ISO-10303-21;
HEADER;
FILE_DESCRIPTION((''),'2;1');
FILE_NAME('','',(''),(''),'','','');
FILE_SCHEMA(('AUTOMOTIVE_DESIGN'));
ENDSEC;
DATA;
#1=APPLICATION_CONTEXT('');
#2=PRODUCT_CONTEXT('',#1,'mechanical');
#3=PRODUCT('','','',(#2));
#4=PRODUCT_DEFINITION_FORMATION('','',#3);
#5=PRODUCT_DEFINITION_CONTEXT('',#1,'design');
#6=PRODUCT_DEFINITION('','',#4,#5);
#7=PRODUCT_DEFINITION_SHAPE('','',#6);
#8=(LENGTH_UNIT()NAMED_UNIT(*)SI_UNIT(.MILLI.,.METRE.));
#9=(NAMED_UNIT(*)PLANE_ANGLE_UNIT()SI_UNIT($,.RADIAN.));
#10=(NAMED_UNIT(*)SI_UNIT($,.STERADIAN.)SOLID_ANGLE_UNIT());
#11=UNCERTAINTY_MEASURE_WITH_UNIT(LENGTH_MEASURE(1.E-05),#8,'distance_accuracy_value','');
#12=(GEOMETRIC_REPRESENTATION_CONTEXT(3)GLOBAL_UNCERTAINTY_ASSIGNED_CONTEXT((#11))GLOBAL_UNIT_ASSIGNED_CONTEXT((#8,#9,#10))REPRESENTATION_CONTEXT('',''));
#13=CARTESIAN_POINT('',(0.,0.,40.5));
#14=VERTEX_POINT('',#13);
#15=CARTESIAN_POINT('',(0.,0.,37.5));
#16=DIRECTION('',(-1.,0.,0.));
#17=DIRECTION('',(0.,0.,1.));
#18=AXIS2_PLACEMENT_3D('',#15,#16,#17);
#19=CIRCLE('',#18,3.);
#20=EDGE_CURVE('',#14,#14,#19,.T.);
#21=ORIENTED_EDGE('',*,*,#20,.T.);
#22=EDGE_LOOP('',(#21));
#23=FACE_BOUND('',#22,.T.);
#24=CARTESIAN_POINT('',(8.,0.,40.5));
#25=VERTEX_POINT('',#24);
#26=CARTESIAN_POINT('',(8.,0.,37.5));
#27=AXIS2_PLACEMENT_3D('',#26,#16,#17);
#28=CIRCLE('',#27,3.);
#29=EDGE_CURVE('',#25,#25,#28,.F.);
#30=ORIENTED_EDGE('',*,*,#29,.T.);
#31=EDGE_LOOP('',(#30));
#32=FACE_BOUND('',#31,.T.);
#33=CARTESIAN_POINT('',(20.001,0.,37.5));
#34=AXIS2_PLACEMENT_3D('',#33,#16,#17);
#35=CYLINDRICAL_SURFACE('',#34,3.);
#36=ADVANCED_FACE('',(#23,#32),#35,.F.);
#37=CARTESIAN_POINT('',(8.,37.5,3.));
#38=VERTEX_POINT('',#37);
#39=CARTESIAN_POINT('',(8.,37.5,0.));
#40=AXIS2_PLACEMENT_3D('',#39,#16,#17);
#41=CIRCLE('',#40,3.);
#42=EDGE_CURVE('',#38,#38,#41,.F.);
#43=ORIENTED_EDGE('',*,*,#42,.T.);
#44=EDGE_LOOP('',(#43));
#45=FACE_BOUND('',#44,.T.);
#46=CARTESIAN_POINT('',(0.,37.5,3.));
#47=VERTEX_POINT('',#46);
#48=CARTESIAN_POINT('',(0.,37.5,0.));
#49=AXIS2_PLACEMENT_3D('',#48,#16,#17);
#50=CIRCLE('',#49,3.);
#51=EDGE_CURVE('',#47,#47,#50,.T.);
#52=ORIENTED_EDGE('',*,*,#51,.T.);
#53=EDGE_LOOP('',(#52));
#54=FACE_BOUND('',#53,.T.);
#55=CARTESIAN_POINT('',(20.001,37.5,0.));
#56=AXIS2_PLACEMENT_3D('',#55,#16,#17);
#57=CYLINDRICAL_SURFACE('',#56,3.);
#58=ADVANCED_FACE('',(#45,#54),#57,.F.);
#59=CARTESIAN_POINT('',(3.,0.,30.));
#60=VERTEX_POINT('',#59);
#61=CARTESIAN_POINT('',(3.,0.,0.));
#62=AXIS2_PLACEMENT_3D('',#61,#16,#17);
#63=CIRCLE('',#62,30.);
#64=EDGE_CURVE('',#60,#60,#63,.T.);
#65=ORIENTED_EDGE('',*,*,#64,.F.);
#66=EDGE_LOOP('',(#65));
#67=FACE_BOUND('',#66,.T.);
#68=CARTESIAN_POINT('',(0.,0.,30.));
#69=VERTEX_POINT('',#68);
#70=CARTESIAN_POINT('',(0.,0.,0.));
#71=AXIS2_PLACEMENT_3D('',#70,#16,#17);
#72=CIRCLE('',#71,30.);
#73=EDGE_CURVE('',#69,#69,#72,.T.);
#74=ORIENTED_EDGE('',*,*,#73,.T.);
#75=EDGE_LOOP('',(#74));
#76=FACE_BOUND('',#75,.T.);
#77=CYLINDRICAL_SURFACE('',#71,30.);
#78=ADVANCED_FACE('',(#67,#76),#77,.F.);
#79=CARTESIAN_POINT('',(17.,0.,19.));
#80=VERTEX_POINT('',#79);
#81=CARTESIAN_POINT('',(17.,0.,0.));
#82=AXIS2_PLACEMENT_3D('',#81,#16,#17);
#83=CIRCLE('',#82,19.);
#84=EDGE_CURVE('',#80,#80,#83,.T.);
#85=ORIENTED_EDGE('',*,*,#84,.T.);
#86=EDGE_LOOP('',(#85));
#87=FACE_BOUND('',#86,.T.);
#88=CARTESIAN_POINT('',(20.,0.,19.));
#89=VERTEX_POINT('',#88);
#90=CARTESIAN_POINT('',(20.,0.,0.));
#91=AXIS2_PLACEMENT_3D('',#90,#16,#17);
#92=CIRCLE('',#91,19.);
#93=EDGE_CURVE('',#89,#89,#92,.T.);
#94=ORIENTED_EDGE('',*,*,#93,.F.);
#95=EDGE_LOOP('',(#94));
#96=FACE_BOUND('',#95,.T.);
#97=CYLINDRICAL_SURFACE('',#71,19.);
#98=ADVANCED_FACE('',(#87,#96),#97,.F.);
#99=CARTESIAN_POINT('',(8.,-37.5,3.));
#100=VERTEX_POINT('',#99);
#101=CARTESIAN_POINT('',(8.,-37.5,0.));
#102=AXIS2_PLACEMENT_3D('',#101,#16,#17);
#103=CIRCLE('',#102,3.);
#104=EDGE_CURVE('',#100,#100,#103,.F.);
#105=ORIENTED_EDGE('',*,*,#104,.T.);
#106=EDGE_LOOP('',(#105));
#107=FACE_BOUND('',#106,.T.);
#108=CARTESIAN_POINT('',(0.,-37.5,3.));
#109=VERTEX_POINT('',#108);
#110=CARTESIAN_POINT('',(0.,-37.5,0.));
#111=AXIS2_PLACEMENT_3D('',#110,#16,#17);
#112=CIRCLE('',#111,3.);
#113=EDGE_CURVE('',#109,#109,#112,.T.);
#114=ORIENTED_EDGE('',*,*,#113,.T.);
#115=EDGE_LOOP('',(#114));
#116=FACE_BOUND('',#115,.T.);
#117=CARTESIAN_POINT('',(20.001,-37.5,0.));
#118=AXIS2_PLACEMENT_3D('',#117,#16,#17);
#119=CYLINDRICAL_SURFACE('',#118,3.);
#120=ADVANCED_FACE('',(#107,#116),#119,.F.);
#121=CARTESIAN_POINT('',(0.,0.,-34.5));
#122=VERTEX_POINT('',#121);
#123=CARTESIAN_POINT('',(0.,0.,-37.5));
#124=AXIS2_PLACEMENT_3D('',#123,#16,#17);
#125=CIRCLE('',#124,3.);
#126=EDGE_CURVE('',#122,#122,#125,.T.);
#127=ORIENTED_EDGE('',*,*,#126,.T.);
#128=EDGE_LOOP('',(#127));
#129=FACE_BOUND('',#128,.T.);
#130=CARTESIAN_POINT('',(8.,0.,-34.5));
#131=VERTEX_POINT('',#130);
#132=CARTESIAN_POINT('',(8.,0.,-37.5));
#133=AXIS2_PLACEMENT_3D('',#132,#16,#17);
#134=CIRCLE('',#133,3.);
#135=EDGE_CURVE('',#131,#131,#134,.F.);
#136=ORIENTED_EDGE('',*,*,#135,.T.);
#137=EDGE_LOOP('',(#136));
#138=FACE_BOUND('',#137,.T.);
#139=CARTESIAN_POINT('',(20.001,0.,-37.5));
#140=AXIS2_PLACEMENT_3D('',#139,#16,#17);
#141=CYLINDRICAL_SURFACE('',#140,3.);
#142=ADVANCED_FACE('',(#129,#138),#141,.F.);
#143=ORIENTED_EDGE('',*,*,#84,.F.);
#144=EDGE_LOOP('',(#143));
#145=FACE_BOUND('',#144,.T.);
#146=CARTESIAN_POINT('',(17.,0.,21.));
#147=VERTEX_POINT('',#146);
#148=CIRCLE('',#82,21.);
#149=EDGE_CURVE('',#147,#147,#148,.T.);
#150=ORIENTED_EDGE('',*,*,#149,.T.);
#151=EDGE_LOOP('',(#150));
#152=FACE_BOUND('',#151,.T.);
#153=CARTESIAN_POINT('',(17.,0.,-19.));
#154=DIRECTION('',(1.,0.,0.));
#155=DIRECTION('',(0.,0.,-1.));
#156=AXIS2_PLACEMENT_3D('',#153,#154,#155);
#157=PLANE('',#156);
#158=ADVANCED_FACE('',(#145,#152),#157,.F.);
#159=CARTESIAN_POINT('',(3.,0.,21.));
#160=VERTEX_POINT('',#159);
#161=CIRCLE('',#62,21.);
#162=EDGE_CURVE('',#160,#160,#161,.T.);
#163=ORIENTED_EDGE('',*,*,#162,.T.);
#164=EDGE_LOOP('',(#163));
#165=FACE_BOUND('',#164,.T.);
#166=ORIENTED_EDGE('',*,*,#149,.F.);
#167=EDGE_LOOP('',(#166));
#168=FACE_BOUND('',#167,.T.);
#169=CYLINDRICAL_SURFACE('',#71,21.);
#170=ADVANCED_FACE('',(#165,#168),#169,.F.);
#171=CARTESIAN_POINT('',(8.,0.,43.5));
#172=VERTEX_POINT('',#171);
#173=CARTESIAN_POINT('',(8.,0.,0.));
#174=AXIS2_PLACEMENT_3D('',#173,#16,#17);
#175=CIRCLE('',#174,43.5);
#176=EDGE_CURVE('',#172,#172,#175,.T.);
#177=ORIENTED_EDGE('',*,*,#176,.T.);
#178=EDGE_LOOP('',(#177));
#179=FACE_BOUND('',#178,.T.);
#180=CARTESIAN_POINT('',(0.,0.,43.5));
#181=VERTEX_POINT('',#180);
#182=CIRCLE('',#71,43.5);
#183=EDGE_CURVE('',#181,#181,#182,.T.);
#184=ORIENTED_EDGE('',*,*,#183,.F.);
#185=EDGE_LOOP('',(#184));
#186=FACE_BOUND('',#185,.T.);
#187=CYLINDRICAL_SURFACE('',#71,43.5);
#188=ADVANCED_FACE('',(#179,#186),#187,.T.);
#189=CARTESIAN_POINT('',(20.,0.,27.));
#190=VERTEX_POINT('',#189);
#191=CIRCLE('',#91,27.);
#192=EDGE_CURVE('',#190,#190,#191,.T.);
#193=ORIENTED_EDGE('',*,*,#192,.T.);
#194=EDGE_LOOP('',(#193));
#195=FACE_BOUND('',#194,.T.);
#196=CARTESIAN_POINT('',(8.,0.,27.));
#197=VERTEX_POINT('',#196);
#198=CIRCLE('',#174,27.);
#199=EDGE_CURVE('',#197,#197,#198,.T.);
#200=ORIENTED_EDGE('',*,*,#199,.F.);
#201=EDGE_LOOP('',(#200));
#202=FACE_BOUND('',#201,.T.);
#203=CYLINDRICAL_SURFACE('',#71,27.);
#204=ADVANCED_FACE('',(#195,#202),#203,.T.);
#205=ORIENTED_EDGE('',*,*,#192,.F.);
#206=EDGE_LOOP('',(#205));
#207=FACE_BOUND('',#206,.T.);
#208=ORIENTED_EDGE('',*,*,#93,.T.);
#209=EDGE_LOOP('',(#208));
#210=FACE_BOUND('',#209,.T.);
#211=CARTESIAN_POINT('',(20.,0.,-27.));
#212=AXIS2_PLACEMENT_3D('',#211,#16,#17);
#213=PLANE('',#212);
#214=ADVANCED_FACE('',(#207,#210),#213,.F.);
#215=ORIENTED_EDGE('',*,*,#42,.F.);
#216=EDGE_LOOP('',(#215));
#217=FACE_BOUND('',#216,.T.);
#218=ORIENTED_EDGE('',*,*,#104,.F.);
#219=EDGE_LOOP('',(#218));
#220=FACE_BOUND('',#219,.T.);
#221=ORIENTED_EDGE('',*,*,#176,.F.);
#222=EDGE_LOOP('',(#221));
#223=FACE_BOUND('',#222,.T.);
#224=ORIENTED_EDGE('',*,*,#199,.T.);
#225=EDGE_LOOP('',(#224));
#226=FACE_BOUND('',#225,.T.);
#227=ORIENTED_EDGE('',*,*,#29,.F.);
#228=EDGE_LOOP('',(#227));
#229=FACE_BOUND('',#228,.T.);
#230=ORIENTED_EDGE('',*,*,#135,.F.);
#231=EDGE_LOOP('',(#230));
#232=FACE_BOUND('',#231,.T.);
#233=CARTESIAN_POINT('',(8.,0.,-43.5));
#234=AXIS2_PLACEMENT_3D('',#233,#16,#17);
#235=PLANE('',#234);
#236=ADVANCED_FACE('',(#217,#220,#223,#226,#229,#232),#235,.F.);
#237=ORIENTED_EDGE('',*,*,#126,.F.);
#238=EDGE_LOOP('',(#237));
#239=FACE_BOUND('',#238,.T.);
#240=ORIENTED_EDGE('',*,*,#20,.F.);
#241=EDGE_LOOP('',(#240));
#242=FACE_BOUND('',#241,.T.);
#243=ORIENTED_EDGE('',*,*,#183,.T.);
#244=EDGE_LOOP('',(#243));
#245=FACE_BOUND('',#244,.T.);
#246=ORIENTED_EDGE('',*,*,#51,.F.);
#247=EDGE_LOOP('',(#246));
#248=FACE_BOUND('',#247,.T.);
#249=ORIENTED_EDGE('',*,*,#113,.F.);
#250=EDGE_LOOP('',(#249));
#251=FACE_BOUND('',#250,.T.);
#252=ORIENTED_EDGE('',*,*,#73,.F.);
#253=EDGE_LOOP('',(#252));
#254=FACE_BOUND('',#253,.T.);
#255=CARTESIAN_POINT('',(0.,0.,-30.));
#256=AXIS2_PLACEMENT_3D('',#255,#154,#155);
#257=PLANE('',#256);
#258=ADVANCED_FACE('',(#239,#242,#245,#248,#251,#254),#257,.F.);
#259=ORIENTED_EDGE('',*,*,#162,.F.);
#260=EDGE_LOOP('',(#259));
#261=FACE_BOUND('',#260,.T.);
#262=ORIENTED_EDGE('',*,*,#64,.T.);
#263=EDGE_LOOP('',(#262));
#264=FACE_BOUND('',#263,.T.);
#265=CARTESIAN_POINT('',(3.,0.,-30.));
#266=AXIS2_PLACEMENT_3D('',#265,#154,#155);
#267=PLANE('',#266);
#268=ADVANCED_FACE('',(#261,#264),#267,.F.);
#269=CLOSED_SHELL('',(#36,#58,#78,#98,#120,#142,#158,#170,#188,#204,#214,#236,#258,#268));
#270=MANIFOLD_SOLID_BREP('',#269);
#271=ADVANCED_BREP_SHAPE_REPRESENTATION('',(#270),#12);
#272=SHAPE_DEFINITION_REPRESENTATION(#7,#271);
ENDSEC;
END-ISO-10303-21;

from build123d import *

# Parameters (mm, degrees)
CUT_EXTRUDE_1_REACH = 22
SKETCH_2_R          = 3


with BuildPart() as part:
    # 草图1 → 旋转1 (revolve)
    with BuildSketch(Plane(origin=(0, 0, 0), x_dir=(1, 0, 0), z_dir=(0, 1, 0))):
        Polygon((0, 30), (0, 43.5), (8, 43.5), (8, 27), (20, 27), (20, 19), (17, 19), (17, 21), (3, 21), (3, 30), align=None)
    revolve(axis=Axis((0, 0, 0), (1, 0, 0)))

    # 草图2 → 切除-拉伸1 (cut, up to next)
    with BuildSketch(Plane.ZY, mode=Mode.PRIVATE) as cut_extrude_1_sk1:
        with Locations((0, -37.5)):
            Circle(SKETCH_2_R)
    cut_extrude_1_tool1 = extrude(cut_extrude_1_sk1.sketch, amount=-CUT_EXTRUDE_1_REACH, mode=Mode.PRIVATE) & part.part
    add(cut_extrude_1_tool1.solids().sort_by_distance((0, -37.5, 0))[0], mode=Mode.SUBTRACT)
    # 草图2 → 切除-拉伸1 (cut, up to next)
    with BuildSketch(Plane.ZY, mode=Mode.PRIVATE) as cut_extrude_1_sk2:
        with Locations((0, 37.5)):
            Circle(SKETCH_2_R)
    cut_extrude_1_tool2 = extrude(cut_extrude_1_sk2.sketch, amount=-CUT_EXTRUDE_1_REACH, mode=Mode.PRIVATE) & part.part
    add(cut_extrude_1_tool2.solids().sort_by_distance((0, 37.5, 0))[0], mode=Mode.SUBTRACT)
    # 草图2 → 切除-拉伸1 (cut, up to next)
    with BuildSketch(Plane.ZY, mode=Mode.PRIVATE) as cut_extrude_1_sk3:
        with Locations((-37.5, 0)):
            Circle(SKETCH_2_R)
    cut_extrude_1_tool3 = extrude(cut_extrude_1_sk3.sketch, amount=-CUT_EXTRUDE_1_REACH, mode=Mode.PRIVATE) & part.part
    add(cut_extrude_1_tool3.solids().sort_by_distance((0, 0, -37.5))[0], mode=Mode.SUBTRACT)
    # 草图2 → 切除-拉伸1 (cut, up to next)
    with BuildSketch(Plane.ZY, mode=Mode.PRIVATE) as cut_extrude_1_sk4:
        with Locations((37.5, 0)):
            Circle(SKETCH_2_R)
    cut_extrude_1_tool4 = extrude(cut_extrude_1_sk4.sketch, amount=-CUT_EXTRUDE_1_REACH, mode=Mode.PRIVATE) & part.part
    add(cut_extrude_1_tool4.solids().sort_by_distance((0, 0, 37.5))[0], mode=Mode.SUBTRACT)


solid = part.part
